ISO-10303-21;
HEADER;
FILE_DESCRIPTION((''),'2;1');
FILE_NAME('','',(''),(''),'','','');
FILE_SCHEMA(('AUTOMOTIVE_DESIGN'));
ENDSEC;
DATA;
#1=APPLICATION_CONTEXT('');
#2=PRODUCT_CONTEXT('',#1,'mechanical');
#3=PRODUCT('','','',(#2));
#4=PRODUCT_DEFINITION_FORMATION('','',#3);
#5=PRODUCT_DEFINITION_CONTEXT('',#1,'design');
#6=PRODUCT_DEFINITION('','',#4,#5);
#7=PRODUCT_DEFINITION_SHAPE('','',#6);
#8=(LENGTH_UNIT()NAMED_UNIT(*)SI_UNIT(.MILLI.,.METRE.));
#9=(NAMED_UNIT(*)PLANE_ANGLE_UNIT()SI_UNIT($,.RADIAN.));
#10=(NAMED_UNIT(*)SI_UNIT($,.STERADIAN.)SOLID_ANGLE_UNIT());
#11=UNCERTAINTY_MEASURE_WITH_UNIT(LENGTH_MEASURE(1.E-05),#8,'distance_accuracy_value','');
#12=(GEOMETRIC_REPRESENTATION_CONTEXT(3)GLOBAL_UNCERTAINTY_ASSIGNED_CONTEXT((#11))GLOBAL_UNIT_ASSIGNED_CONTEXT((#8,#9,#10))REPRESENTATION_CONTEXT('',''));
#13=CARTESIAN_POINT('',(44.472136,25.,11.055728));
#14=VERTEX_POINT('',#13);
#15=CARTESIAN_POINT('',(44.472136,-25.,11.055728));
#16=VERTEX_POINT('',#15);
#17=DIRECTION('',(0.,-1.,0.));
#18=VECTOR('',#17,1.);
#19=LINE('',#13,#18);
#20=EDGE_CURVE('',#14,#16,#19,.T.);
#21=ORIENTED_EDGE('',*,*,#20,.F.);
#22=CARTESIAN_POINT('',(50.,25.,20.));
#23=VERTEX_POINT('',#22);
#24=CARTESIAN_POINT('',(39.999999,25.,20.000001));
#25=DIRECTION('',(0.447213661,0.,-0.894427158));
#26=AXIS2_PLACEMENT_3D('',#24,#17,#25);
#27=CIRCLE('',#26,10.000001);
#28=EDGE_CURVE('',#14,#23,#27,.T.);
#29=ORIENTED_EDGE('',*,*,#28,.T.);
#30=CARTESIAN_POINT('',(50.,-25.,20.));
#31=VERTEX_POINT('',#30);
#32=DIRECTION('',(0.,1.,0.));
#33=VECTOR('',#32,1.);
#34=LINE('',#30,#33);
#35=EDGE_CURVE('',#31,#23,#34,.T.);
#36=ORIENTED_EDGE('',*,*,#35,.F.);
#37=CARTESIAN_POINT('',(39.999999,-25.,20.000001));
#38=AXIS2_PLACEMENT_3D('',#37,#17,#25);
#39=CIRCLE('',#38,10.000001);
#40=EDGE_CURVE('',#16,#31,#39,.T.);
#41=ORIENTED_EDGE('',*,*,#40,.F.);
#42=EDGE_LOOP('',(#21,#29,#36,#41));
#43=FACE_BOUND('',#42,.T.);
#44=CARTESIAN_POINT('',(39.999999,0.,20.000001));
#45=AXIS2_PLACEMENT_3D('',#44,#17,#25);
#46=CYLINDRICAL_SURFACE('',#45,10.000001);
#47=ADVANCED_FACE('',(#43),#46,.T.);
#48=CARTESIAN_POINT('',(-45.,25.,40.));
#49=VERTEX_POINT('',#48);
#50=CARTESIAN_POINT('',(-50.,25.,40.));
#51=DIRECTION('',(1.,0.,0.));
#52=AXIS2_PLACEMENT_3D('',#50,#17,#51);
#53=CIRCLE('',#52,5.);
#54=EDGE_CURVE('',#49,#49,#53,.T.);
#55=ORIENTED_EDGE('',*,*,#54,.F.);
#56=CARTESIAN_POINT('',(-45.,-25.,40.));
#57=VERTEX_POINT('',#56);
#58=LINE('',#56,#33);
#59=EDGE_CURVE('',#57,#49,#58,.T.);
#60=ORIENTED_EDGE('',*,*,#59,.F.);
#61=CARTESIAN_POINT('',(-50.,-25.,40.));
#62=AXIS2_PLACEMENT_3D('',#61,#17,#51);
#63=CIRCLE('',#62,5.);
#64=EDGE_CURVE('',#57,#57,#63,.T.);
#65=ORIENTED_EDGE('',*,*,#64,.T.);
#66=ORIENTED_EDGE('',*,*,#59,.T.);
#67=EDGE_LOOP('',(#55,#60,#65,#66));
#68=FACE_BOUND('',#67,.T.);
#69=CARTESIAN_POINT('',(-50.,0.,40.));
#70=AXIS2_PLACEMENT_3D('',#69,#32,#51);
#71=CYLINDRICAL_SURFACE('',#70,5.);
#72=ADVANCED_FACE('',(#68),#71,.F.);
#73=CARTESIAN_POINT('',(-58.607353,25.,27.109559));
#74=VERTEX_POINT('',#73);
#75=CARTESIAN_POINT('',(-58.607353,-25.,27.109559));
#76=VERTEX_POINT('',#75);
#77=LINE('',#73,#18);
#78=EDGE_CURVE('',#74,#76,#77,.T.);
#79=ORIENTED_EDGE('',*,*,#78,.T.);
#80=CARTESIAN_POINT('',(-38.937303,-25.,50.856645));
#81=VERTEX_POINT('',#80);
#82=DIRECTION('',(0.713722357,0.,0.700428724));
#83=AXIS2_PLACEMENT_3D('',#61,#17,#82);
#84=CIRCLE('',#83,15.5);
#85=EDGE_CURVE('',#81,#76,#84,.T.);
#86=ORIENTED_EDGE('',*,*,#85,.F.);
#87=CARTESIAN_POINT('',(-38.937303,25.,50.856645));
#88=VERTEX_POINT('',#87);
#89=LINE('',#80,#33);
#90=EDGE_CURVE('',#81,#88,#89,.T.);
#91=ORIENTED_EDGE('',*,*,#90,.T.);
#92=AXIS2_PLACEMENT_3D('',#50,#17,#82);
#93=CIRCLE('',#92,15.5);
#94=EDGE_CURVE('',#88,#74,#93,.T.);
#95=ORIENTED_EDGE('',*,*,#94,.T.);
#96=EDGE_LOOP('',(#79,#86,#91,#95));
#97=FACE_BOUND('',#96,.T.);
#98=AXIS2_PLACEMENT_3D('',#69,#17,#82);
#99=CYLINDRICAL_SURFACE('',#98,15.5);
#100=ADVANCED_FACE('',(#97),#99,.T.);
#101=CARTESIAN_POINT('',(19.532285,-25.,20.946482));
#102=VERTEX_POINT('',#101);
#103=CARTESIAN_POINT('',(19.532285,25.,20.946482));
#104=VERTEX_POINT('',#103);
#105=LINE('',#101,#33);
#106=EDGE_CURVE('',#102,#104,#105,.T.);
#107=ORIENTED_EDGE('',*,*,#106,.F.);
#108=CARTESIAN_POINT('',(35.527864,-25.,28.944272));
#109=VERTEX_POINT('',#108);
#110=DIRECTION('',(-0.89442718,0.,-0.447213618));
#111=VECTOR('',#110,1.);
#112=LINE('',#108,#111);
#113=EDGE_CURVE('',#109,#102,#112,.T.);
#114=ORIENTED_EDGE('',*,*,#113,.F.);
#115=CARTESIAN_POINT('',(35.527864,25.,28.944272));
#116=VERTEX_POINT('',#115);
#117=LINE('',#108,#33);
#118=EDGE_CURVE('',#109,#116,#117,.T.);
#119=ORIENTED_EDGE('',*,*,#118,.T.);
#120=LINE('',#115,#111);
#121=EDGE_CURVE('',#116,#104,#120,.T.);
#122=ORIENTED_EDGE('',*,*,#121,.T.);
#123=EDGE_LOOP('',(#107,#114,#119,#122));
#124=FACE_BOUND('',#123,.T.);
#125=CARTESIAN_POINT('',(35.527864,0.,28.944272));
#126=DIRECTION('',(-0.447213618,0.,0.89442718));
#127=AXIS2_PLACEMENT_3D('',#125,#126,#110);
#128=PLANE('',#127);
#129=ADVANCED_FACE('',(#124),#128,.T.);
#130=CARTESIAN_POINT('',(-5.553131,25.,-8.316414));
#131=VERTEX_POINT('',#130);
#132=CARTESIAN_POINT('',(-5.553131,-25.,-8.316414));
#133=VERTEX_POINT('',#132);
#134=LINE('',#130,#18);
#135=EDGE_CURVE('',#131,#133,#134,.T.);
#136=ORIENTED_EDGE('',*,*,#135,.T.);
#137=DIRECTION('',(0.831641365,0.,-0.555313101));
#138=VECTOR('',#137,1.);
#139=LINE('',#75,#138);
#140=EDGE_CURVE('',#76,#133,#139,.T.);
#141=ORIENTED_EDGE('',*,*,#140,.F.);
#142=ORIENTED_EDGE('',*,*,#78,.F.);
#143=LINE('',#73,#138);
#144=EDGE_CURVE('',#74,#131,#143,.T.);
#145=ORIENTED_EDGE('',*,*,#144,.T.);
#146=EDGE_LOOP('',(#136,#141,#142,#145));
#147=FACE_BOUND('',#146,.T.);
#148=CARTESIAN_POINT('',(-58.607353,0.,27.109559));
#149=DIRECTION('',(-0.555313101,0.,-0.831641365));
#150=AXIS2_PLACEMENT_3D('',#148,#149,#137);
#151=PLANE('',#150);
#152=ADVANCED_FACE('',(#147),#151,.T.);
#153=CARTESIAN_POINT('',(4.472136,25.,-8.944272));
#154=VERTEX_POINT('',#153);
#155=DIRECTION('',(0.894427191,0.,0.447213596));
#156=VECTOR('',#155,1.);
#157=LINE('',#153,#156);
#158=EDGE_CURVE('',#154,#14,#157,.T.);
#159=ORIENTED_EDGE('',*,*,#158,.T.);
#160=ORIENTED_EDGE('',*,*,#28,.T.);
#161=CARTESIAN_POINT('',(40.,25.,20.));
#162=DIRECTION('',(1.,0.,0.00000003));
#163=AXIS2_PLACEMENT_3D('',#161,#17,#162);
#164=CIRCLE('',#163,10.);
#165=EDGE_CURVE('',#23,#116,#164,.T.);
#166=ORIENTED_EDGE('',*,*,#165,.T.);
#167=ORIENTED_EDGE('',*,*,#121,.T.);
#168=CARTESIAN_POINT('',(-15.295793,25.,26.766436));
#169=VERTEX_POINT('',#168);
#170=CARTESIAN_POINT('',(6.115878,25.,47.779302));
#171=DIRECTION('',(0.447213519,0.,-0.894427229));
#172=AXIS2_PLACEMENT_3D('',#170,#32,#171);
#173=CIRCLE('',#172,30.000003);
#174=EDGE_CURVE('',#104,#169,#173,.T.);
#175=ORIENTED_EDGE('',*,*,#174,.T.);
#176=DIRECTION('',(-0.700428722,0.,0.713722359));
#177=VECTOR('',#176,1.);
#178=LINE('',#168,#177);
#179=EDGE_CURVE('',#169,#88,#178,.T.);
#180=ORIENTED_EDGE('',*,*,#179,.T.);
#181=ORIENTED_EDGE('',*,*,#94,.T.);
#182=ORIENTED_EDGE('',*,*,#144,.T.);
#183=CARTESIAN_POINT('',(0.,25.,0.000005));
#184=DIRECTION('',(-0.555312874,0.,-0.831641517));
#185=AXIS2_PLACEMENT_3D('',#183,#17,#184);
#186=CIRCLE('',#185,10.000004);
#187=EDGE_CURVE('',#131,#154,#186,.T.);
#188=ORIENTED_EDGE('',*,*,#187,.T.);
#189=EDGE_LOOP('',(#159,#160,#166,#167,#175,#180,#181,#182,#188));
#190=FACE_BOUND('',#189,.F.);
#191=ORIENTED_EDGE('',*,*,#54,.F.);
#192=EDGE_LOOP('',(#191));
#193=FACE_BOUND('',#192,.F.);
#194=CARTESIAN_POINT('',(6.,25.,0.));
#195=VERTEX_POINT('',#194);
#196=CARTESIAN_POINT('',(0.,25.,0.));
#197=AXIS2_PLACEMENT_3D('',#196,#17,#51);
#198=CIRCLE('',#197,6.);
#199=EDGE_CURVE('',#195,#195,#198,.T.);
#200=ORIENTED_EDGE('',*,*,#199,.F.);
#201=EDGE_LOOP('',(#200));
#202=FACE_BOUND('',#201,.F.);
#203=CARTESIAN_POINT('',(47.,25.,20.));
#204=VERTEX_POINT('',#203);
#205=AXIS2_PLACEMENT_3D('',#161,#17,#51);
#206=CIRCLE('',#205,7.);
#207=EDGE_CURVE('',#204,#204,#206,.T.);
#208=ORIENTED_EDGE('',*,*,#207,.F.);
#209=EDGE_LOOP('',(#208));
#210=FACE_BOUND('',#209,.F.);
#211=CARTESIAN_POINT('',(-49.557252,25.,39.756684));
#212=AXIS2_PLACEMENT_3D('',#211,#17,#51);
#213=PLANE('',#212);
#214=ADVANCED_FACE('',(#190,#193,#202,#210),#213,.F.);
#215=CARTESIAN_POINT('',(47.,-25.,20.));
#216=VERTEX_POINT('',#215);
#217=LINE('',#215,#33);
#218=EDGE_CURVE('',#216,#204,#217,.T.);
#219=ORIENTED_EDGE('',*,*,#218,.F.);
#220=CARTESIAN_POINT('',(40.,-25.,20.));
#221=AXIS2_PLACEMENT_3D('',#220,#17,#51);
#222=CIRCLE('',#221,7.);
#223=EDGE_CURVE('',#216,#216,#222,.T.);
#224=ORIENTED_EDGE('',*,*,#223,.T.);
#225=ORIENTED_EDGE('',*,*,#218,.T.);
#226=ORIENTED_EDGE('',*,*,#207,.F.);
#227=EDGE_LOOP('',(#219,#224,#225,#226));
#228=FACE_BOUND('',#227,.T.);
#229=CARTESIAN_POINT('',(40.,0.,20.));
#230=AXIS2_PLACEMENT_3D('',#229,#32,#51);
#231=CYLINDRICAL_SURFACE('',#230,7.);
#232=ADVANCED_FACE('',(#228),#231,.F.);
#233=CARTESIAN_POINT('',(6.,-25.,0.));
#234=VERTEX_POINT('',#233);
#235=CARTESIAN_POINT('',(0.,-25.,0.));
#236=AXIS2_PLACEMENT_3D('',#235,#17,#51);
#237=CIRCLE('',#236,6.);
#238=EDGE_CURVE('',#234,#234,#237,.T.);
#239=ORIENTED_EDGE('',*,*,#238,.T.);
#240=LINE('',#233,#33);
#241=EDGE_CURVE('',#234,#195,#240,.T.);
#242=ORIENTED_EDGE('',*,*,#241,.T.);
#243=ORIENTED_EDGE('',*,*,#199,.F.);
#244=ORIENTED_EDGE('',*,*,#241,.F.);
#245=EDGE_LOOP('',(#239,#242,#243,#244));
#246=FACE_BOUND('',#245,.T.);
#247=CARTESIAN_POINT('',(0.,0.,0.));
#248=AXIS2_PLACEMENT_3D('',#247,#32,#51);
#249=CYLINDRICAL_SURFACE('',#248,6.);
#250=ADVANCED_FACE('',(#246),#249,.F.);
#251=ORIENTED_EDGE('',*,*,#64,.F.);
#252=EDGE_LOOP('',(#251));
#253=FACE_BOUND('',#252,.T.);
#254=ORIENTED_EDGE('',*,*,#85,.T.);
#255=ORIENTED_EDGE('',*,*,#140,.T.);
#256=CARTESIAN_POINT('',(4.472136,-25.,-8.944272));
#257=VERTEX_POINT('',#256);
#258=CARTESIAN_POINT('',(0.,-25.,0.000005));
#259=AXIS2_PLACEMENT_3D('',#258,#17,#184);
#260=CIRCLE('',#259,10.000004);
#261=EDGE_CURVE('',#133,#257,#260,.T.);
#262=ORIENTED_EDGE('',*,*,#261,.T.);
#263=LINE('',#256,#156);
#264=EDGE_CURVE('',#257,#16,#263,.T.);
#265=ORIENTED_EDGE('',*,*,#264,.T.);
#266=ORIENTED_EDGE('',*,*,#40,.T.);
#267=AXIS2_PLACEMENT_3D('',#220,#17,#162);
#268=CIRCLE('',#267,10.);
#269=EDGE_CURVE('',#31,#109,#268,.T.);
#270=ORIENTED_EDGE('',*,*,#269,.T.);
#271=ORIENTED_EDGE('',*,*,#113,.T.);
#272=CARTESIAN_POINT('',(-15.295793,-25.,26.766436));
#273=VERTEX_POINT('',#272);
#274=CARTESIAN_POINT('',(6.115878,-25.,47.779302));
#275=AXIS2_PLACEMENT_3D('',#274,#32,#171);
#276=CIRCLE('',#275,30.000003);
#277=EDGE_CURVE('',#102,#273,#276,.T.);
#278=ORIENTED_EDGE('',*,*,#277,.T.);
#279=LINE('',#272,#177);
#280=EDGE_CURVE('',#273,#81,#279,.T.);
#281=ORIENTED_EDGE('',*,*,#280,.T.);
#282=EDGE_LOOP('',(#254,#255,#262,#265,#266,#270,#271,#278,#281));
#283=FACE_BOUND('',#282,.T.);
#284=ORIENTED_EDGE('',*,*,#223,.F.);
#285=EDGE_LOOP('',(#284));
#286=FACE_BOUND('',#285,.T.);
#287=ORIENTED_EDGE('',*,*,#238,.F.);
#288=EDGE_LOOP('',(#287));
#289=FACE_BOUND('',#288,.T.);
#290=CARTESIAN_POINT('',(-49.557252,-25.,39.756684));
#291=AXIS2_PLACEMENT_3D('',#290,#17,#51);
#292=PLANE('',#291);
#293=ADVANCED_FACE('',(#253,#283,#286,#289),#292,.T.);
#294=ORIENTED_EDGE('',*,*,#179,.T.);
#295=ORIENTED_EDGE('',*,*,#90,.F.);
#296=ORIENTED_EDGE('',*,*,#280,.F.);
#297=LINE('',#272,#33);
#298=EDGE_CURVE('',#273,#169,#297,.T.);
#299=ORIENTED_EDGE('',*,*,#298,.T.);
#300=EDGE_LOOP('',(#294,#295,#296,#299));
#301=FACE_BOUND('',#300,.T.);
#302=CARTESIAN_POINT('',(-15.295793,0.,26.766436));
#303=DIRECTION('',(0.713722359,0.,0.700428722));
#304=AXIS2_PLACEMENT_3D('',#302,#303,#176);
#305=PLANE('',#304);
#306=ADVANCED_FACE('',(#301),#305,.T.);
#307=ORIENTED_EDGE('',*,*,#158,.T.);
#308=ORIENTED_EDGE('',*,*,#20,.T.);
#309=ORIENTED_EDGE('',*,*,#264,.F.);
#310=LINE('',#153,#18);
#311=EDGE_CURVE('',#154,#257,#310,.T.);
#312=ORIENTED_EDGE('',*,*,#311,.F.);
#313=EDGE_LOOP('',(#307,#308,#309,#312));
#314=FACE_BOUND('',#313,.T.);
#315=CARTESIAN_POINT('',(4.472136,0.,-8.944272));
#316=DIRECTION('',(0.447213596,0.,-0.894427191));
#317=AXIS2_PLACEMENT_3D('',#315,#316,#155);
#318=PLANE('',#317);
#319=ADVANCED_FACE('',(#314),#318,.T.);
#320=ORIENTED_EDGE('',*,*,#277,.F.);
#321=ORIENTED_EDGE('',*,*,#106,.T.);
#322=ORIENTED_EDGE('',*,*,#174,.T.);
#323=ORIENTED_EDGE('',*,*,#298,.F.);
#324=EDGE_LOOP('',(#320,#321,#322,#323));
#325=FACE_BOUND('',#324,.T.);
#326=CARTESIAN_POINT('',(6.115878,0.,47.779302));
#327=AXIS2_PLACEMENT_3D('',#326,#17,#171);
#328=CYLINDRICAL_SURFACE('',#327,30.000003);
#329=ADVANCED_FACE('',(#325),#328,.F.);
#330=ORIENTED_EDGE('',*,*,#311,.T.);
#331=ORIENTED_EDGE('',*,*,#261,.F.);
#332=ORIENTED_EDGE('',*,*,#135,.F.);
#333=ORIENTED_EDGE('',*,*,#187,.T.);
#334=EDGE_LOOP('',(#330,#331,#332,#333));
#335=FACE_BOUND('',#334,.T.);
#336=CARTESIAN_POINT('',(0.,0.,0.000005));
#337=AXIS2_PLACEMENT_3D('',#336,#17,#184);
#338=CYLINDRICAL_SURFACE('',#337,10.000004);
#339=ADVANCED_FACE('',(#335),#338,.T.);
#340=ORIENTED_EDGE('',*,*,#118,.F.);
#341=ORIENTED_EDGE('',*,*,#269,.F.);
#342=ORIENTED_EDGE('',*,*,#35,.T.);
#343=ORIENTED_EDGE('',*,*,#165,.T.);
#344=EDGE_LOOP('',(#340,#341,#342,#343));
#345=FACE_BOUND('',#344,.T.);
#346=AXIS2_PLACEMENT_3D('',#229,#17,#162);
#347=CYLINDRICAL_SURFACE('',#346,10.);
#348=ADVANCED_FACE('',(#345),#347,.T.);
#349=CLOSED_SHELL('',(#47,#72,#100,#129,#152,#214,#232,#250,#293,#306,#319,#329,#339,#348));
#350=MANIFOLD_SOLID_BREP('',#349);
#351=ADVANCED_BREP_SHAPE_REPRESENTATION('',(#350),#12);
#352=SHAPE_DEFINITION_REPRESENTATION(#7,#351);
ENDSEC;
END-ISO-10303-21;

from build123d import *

# Parameters (mm, degrees)
F0_R     = 5
F0_R_2   = 6
F0_R_3   = 7
F1_DEPTH = 25


with BuildPart() as f1:
    # F0 (on Front) → F1 (new body, symmetric)
    with BuildSketch(Plane.XZ):
        with BuildLine():
            ThreePointArc((-38.937303, 50.856645), (-61.936842, 49.887456), (-58.607353, 27.109559))
            ThreePointArc((-58.607353, 27.109559), (-42.691237, 26.33135), (-34.5, 40))
            ThreePointArc((-34.5, 40), (-35.652147, 45.864222), (-38.937303, 50.856645))
        make_face()
        with Locations((-50, 40)):
            Circle(F0_R, mode=Mode.SUBTRACT)
        with BuildLine():
            ThreePointArc((-5.553131, -8.316414), (-4.715331, 8.818484), (10, 0))
            ThreePointArc((10, 0), (8.506508, -5.257311), (4.472136, -8.944272))
            Line((4.472136, -8.944272), (44.472136, 11.055728))
            ThreePointArc((44.472136, 11.055728), (31.055728, 15.527864), (35.527864, 28.944272))
            Line((35.527864, 28.944272), (19.532285, 20.946482))
            ThreePointArc((19.532285, 20.946482), (1.171282, 18.189588), (-15.295793, 26.766436))
            Line((-15.295793, 26.766436), (-38.937303, 50.856645))
            ThreePointArc((-38.937303, 50.856645), (-35.652147, 45.864222), (-34.5, 40))
            ThreePointArc((-34.5, 40), (-42.691237, 26.33135), (-58.607353, 27.109559))
            Line((-58.607353, 27.109559), (-5.553131, -8.316414))
        make_face()
        with BuildLine():
            ThreePointArc((4.472136, -8.944272), (8.506508, -5.257311), (10, 0))
            ThreePointArc((10, 0), (-4.715331, 8.818484), (-5.553131, -8.316414))
            ThreePointArc((-5.553131, -8.316414), (-0.625051, -9.980446), (4.472136, -8.944272))
        make_face()
        Circle(F0_R_2, mode=Mode.SUBTRACT)
        with BuildLine():
            ThreePointArc((35.527864, 28.944272), (31.055728, 15.527864), (44.472136, 11.055728))
            ThreePointArc((44.472136, 11.055728), (48.506508, 14.742689), (50, 20))
            ThreePointArc((50, 20), (45.257311, 28.506508), (35.527864, 28.944272))
        make_face()
        with Locations((40, 20)):
            Circle(F0_R_3, mode=Mode.SUBTRACT)
    extrude(amount=F1_DEPTH, both=True)


solid = f1.part
